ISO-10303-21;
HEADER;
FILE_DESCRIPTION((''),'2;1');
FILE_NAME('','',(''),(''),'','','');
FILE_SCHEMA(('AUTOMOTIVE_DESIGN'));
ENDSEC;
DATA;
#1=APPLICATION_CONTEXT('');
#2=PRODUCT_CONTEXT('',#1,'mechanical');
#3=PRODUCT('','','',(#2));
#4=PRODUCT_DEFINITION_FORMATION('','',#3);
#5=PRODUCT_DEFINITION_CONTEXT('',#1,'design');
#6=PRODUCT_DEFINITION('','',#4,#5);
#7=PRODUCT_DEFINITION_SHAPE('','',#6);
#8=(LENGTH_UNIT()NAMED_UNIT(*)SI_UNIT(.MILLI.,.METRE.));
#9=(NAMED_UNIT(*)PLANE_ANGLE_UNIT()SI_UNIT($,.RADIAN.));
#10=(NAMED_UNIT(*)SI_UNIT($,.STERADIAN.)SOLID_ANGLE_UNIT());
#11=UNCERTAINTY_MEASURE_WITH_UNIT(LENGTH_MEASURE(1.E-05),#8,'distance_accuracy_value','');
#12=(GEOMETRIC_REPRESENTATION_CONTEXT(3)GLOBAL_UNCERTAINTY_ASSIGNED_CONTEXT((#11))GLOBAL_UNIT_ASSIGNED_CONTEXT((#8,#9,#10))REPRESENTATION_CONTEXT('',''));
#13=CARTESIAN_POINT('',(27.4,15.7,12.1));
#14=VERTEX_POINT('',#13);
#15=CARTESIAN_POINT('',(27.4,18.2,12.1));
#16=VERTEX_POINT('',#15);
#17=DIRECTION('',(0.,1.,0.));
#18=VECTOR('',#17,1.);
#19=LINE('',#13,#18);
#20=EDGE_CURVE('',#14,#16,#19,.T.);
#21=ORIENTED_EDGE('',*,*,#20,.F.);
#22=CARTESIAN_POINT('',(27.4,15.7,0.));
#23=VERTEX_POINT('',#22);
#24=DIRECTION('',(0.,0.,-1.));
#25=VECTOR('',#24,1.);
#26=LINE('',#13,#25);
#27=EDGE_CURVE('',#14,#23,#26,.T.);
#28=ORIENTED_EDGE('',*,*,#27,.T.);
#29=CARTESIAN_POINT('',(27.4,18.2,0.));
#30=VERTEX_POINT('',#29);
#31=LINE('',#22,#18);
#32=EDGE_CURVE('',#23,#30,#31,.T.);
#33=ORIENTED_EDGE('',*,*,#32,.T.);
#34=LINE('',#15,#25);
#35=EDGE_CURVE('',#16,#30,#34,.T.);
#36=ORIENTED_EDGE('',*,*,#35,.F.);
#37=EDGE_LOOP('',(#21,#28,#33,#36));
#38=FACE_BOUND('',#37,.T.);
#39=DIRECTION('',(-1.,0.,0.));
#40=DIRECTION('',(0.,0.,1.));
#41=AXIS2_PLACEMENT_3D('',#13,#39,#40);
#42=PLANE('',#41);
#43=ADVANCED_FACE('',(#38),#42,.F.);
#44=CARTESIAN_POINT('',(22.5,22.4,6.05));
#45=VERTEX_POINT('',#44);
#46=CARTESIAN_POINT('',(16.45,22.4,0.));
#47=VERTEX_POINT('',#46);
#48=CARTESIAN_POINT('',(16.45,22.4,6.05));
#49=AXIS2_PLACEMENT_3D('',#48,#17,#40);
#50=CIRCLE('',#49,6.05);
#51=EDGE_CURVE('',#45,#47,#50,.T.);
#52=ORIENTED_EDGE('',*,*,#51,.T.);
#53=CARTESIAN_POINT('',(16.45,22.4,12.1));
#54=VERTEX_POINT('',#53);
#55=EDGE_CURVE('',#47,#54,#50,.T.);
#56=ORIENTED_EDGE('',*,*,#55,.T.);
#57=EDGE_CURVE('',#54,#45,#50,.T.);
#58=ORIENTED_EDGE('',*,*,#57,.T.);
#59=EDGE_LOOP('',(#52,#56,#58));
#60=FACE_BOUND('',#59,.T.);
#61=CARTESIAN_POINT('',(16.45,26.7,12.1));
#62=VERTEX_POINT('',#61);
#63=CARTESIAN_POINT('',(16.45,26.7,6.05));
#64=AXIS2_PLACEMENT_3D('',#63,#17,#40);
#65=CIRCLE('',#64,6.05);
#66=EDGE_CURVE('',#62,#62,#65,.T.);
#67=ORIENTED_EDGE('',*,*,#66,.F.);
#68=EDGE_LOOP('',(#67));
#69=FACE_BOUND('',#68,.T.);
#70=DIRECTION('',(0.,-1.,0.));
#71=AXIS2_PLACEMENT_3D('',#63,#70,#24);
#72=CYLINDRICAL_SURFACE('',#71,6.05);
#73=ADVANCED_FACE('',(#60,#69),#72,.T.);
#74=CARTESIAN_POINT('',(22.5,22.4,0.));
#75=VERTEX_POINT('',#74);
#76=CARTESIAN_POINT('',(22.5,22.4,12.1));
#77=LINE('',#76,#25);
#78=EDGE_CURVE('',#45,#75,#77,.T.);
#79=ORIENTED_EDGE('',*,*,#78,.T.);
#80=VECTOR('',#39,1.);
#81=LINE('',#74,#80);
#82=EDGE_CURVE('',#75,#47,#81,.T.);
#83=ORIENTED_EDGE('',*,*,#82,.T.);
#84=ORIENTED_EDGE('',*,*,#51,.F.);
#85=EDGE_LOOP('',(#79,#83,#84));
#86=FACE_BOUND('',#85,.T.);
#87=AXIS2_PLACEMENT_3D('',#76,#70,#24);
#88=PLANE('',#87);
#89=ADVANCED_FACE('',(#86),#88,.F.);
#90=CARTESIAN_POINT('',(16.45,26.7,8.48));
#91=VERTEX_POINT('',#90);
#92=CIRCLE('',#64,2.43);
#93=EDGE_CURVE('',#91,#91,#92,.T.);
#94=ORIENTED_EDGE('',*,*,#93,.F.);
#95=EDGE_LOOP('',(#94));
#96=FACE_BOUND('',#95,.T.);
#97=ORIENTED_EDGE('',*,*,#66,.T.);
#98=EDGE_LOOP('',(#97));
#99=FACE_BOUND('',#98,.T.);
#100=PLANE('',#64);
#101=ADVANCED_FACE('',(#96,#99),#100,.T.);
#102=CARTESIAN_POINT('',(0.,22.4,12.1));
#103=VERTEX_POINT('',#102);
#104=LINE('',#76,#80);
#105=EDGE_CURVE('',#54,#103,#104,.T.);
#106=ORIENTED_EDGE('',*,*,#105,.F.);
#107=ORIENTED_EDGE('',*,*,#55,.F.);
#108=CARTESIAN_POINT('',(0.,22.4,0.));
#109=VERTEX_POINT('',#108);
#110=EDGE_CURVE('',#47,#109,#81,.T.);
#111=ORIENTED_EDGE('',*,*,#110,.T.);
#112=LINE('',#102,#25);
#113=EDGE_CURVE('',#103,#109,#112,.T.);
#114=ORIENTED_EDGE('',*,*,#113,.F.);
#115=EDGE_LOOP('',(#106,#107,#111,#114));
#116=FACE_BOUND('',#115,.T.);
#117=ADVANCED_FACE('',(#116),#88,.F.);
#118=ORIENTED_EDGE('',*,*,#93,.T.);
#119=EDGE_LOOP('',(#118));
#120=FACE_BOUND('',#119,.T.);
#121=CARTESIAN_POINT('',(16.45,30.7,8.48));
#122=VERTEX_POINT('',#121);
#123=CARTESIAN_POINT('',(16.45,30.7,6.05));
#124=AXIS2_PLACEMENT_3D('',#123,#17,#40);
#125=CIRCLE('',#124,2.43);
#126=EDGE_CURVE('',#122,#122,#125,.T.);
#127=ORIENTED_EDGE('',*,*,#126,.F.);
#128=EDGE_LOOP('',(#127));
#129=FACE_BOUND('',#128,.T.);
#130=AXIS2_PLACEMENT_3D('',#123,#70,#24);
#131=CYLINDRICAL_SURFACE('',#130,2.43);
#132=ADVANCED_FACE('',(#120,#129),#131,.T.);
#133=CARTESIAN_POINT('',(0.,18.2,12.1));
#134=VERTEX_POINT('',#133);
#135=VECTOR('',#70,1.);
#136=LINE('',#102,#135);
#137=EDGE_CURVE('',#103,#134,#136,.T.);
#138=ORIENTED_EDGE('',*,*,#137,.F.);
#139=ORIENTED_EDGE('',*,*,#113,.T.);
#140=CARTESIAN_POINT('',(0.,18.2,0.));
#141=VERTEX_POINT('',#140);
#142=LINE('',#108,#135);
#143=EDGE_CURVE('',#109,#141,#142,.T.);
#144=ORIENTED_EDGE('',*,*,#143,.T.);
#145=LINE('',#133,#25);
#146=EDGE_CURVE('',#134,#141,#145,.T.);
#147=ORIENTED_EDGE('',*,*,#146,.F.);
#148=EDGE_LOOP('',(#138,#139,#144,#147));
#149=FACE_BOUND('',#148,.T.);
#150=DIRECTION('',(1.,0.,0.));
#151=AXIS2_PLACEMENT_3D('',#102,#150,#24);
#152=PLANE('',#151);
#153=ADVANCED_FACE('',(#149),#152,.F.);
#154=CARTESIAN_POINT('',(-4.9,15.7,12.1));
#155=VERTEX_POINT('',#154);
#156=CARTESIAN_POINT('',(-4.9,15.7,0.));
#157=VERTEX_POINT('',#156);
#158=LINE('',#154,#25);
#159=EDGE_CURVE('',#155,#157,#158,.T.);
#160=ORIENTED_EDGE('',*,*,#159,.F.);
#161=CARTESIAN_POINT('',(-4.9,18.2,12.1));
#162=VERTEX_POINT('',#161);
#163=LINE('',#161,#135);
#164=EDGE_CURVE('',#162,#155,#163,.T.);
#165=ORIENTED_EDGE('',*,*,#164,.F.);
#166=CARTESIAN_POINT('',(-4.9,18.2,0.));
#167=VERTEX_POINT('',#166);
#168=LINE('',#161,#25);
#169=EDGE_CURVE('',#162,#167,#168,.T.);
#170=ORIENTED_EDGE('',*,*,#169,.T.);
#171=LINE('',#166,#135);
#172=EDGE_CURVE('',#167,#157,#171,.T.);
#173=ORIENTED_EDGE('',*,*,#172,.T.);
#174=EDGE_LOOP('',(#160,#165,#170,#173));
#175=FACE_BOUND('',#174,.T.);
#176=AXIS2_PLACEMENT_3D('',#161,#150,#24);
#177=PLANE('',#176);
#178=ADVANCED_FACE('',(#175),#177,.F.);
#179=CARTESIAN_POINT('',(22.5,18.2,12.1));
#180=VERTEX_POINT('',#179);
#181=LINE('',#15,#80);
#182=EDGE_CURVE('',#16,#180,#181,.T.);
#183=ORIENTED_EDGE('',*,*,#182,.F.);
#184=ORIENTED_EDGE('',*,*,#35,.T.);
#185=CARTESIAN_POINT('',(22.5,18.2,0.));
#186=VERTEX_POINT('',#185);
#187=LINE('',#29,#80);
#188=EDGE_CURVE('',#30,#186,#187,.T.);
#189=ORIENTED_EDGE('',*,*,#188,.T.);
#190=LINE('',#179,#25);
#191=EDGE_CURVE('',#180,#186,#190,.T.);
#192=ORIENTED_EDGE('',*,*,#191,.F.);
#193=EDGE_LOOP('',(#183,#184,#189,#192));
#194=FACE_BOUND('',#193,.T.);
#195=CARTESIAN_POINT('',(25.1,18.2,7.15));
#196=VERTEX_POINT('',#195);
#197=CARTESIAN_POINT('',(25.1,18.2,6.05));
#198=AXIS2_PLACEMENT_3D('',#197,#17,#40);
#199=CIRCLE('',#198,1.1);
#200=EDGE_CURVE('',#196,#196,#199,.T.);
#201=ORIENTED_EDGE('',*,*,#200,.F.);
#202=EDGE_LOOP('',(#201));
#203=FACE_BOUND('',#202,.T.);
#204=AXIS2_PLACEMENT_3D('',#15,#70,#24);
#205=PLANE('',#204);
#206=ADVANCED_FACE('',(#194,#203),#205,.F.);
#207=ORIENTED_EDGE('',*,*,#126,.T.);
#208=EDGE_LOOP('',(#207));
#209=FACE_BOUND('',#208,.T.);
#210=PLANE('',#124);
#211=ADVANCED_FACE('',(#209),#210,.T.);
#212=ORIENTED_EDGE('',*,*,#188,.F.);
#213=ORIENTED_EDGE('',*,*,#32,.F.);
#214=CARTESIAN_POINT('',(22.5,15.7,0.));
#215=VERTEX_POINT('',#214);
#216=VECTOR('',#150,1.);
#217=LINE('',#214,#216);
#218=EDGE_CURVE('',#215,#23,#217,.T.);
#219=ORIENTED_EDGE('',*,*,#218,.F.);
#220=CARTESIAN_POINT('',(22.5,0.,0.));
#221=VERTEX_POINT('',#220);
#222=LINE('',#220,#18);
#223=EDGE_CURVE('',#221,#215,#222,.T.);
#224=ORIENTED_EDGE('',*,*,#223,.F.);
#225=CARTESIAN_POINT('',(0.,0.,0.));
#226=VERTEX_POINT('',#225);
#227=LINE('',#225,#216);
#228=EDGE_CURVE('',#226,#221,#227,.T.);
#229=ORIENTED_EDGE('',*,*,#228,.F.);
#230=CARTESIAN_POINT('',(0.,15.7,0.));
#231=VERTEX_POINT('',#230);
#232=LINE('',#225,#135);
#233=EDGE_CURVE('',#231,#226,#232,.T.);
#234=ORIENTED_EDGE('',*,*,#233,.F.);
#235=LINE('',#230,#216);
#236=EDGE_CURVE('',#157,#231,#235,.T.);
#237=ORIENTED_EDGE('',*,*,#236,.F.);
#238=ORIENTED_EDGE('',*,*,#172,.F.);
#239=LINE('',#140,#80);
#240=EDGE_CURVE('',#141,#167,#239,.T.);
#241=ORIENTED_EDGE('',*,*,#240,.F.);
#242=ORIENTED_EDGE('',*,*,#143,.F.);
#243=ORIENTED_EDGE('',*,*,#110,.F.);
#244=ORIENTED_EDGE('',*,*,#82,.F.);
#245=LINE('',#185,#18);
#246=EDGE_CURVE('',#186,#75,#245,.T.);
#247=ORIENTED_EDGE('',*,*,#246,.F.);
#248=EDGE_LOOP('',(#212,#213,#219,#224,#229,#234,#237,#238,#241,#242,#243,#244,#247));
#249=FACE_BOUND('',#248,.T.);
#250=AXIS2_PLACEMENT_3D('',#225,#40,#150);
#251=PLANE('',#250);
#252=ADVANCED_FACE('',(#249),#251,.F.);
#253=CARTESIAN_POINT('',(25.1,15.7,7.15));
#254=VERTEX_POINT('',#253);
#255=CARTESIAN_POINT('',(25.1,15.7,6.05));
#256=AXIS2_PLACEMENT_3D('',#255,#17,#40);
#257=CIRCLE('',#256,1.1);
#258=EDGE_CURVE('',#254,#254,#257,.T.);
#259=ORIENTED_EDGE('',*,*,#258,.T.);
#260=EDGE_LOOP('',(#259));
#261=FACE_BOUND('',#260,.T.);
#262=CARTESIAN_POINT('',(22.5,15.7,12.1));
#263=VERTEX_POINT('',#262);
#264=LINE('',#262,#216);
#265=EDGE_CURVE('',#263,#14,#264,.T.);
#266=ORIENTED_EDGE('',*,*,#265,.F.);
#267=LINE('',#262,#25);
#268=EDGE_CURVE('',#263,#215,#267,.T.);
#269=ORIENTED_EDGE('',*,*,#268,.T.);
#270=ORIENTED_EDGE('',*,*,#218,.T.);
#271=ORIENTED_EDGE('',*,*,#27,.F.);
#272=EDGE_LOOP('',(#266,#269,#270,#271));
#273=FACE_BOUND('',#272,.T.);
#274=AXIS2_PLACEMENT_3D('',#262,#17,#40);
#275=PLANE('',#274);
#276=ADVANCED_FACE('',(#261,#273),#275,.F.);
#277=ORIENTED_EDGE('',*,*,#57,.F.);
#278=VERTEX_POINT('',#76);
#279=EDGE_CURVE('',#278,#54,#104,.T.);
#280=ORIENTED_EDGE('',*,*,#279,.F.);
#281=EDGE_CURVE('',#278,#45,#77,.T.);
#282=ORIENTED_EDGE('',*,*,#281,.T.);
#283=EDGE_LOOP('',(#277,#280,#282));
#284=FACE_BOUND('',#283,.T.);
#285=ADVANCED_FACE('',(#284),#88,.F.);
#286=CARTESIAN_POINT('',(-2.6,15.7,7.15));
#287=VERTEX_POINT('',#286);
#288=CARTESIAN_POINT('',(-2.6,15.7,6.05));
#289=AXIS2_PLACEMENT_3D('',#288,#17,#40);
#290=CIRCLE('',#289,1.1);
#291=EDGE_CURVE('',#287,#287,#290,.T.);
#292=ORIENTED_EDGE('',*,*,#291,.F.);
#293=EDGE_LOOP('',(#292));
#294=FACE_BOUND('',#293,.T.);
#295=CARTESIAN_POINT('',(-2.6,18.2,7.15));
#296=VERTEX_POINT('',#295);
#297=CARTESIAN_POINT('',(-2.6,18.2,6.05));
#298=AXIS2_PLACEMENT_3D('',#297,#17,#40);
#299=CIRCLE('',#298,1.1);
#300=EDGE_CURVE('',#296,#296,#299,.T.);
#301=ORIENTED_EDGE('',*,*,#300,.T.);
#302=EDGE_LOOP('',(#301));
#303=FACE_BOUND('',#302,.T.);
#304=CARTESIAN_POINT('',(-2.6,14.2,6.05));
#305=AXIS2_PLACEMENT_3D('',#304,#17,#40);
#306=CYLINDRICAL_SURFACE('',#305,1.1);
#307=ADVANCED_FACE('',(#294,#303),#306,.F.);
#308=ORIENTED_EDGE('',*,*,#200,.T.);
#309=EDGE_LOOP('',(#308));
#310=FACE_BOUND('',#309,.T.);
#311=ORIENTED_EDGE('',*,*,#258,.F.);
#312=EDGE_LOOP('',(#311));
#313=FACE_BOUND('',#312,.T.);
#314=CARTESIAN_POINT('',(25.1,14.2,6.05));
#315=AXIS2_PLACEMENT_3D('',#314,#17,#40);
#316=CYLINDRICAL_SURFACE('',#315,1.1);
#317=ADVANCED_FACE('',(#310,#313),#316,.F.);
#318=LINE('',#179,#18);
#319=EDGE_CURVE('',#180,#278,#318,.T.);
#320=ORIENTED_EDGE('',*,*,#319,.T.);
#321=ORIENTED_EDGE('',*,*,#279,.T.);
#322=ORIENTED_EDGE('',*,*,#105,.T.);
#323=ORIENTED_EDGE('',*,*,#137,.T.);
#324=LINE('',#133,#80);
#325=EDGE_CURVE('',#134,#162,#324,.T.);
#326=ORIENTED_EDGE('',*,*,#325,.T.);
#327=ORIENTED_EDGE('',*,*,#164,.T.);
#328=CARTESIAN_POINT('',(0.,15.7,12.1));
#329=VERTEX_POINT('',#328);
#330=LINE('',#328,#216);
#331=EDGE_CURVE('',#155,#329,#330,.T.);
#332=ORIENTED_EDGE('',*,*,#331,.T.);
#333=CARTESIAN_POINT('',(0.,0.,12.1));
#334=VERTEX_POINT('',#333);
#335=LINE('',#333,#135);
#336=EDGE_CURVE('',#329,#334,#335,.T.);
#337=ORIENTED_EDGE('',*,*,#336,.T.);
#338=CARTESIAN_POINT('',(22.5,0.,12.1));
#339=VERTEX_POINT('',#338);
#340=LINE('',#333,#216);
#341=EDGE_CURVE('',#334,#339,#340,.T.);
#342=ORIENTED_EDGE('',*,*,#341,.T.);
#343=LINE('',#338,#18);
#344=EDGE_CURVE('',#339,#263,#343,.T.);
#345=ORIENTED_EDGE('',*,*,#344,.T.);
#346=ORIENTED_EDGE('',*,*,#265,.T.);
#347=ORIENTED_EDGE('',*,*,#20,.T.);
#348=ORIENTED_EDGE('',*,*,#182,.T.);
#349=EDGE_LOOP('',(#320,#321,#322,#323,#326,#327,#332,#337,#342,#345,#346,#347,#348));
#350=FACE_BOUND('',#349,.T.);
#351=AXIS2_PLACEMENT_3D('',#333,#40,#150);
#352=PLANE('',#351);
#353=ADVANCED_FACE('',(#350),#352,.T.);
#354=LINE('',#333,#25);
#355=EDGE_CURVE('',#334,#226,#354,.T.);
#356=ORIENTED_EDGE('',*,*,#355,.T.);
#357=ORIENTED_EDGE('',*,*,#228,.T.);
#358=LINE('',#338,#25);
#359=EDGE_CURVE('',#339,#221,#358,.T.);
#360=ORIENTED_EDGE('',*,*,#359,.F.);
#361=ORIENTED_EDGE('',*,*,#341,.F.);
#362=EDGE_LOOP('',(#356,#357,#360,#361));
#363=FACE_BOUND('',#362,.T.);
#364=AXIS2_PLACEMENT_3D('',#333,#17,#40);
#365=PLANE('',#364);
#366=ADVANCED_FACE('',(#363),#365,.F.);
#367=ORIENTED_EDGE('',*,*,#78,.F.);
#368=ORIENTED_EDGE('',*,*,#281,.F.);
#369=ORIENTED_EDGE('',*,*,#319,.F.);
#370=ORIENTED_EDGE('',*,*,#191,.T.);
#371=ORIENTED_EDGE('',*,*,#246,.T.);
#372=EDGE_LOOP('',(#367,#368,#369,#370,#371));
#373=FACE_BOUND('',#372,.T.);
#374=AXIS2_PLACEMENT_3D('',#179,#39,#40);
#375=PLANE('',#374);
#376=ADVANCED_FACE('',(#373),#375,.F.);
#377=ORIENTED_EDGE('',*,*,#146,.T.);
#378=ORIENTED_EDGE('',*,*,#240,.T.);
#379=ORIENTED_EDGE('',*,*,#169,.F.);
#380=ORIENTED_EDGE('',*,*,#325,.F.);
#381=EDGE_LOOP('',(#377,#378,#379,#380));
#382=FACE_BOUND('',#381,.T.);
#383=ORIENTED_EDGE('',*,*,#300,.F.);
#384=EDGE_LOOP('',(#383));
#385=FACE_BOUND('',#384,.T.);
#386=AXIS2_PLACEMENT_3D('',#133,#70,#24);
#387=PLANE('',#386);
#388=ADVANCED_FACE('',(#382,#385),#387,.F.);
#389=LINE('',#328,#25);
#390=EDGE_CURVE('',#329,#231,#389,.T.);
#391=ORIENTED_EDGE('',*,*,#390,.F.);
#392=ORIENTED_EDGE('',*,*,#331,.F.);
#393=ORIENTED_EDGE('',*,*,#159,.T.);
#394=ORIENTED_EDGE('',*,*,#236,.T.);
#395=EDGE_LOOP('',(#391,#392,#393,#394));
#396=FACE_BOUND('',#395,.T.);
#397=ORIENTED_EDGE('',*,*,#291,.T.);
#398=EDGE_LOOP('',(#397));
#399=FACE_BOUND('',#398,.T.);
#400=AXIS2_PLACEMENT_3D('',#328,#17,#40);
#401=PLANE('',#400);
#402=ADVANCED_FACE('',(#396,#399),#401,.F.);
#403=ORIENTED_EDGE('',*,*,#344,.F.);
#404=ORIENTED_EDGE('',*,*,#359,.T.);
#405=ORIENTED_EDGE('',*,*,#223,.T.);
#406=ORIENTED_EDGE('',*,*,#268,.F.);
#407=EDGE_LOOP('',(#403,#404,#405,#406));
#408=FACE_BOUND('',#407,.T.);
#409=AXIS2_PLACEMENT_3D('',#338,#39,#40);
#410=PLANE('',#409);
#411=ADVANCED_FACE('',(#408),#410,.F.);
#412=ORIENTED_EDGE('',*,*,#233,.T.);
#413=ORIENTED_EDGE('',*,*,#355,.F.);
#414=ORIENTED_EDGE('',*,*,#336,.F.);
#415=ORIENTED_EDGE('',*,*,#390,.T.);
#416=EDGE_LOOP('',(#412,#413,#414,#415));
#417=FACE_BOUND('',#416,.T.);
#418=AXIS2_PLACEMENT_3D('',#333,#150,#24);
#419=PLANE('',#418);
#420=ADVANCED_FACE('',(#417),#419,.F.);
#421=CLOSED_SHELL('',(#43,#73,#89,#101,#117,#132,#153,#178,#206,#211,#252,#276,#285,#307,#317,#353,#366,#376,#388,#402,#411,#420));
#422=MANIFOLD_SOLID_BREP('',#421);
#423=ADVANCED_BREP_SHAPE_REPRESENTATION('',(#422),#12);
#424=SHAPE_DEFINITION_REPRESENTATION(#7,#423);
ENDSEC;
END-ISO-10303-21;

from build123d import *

# Parameters (mm, degrees)
EXTRUDE_1_DEPTH     = 12.1
SKETCH_3_R          = 6.05
EXTRUDE_2_DEPTH     = 4.3
SKETCH_4_R          = 2.43
EXTRUDE_3_DEPTH     = 4
SKETCH_5_R          = 1.1
CUT_EXTRUDE_1_DEPTH = 4


with BuildPart() as part:
    # Эскиз1 → Бобышка-Вытянуть1 (new body)
    with BuildSketch(Plane.XY):
        Polygon((0, 0), (22.5, 0), (22.5, 15.7), (27.4, 15.7), (27.4, 18.2), (22.5, 18.2), (22.5, 22.4), (0, 22.4), (0, 18.2), (-4.9, 18.2), (-4.9, 15.7), (0, 15.7), align=None)
    extrude(amount=EXTRUDE_1_DEPTH)

    # Эскиз3 → Бобышка-Вытянуть2 (add)
    with BuildSketch(Plane(origin=(0, 22.4, 0), x_dir=(1, 0, 0), z_dir=(0, 1, 0))):
        with Locations(Location((16.45, -6.05, 0), (0, 0, 270))):
            Circle(SKETCH_3_R)
    extrude(amount=EXTRUDE_2_DEPTH)

    # Эскиз4 → Бобышка-Вытянуть3 (add)
    with BuildSketch(Plane(origin=(0, 26.7, 0), x_dir=(1, 0, 0), z_dir=(0, 1, 0))):
        with Locations(Location((16.45, -6.05, 0), (0, 0, 270))):
            Circle(SKETCH_4_R)
    extrude(amount=EXTRUDE_3_DEPTH)

    # Эскиз5 → Вырез-Вытянуть1 (cut)
    with BuildSketch(Plane(origin=(0, 18.2, 0), x_dir=(1, 0, 0), z_dir=(0, 1, 0))):
        with Locations(Location((25.1, -6.05, 0), (0, 0, 270))):
            Circle(SKETCH_5_R)
        with Locations(Location((-2.6, -6.05, 0), (0, 0, 270))):
            Circle(SKETCH_5_R)
    extrude(amount=-CUT_EXTRUDE_1_DEPTH, mode=Mode.SUBTRACT)


solid = part.part
